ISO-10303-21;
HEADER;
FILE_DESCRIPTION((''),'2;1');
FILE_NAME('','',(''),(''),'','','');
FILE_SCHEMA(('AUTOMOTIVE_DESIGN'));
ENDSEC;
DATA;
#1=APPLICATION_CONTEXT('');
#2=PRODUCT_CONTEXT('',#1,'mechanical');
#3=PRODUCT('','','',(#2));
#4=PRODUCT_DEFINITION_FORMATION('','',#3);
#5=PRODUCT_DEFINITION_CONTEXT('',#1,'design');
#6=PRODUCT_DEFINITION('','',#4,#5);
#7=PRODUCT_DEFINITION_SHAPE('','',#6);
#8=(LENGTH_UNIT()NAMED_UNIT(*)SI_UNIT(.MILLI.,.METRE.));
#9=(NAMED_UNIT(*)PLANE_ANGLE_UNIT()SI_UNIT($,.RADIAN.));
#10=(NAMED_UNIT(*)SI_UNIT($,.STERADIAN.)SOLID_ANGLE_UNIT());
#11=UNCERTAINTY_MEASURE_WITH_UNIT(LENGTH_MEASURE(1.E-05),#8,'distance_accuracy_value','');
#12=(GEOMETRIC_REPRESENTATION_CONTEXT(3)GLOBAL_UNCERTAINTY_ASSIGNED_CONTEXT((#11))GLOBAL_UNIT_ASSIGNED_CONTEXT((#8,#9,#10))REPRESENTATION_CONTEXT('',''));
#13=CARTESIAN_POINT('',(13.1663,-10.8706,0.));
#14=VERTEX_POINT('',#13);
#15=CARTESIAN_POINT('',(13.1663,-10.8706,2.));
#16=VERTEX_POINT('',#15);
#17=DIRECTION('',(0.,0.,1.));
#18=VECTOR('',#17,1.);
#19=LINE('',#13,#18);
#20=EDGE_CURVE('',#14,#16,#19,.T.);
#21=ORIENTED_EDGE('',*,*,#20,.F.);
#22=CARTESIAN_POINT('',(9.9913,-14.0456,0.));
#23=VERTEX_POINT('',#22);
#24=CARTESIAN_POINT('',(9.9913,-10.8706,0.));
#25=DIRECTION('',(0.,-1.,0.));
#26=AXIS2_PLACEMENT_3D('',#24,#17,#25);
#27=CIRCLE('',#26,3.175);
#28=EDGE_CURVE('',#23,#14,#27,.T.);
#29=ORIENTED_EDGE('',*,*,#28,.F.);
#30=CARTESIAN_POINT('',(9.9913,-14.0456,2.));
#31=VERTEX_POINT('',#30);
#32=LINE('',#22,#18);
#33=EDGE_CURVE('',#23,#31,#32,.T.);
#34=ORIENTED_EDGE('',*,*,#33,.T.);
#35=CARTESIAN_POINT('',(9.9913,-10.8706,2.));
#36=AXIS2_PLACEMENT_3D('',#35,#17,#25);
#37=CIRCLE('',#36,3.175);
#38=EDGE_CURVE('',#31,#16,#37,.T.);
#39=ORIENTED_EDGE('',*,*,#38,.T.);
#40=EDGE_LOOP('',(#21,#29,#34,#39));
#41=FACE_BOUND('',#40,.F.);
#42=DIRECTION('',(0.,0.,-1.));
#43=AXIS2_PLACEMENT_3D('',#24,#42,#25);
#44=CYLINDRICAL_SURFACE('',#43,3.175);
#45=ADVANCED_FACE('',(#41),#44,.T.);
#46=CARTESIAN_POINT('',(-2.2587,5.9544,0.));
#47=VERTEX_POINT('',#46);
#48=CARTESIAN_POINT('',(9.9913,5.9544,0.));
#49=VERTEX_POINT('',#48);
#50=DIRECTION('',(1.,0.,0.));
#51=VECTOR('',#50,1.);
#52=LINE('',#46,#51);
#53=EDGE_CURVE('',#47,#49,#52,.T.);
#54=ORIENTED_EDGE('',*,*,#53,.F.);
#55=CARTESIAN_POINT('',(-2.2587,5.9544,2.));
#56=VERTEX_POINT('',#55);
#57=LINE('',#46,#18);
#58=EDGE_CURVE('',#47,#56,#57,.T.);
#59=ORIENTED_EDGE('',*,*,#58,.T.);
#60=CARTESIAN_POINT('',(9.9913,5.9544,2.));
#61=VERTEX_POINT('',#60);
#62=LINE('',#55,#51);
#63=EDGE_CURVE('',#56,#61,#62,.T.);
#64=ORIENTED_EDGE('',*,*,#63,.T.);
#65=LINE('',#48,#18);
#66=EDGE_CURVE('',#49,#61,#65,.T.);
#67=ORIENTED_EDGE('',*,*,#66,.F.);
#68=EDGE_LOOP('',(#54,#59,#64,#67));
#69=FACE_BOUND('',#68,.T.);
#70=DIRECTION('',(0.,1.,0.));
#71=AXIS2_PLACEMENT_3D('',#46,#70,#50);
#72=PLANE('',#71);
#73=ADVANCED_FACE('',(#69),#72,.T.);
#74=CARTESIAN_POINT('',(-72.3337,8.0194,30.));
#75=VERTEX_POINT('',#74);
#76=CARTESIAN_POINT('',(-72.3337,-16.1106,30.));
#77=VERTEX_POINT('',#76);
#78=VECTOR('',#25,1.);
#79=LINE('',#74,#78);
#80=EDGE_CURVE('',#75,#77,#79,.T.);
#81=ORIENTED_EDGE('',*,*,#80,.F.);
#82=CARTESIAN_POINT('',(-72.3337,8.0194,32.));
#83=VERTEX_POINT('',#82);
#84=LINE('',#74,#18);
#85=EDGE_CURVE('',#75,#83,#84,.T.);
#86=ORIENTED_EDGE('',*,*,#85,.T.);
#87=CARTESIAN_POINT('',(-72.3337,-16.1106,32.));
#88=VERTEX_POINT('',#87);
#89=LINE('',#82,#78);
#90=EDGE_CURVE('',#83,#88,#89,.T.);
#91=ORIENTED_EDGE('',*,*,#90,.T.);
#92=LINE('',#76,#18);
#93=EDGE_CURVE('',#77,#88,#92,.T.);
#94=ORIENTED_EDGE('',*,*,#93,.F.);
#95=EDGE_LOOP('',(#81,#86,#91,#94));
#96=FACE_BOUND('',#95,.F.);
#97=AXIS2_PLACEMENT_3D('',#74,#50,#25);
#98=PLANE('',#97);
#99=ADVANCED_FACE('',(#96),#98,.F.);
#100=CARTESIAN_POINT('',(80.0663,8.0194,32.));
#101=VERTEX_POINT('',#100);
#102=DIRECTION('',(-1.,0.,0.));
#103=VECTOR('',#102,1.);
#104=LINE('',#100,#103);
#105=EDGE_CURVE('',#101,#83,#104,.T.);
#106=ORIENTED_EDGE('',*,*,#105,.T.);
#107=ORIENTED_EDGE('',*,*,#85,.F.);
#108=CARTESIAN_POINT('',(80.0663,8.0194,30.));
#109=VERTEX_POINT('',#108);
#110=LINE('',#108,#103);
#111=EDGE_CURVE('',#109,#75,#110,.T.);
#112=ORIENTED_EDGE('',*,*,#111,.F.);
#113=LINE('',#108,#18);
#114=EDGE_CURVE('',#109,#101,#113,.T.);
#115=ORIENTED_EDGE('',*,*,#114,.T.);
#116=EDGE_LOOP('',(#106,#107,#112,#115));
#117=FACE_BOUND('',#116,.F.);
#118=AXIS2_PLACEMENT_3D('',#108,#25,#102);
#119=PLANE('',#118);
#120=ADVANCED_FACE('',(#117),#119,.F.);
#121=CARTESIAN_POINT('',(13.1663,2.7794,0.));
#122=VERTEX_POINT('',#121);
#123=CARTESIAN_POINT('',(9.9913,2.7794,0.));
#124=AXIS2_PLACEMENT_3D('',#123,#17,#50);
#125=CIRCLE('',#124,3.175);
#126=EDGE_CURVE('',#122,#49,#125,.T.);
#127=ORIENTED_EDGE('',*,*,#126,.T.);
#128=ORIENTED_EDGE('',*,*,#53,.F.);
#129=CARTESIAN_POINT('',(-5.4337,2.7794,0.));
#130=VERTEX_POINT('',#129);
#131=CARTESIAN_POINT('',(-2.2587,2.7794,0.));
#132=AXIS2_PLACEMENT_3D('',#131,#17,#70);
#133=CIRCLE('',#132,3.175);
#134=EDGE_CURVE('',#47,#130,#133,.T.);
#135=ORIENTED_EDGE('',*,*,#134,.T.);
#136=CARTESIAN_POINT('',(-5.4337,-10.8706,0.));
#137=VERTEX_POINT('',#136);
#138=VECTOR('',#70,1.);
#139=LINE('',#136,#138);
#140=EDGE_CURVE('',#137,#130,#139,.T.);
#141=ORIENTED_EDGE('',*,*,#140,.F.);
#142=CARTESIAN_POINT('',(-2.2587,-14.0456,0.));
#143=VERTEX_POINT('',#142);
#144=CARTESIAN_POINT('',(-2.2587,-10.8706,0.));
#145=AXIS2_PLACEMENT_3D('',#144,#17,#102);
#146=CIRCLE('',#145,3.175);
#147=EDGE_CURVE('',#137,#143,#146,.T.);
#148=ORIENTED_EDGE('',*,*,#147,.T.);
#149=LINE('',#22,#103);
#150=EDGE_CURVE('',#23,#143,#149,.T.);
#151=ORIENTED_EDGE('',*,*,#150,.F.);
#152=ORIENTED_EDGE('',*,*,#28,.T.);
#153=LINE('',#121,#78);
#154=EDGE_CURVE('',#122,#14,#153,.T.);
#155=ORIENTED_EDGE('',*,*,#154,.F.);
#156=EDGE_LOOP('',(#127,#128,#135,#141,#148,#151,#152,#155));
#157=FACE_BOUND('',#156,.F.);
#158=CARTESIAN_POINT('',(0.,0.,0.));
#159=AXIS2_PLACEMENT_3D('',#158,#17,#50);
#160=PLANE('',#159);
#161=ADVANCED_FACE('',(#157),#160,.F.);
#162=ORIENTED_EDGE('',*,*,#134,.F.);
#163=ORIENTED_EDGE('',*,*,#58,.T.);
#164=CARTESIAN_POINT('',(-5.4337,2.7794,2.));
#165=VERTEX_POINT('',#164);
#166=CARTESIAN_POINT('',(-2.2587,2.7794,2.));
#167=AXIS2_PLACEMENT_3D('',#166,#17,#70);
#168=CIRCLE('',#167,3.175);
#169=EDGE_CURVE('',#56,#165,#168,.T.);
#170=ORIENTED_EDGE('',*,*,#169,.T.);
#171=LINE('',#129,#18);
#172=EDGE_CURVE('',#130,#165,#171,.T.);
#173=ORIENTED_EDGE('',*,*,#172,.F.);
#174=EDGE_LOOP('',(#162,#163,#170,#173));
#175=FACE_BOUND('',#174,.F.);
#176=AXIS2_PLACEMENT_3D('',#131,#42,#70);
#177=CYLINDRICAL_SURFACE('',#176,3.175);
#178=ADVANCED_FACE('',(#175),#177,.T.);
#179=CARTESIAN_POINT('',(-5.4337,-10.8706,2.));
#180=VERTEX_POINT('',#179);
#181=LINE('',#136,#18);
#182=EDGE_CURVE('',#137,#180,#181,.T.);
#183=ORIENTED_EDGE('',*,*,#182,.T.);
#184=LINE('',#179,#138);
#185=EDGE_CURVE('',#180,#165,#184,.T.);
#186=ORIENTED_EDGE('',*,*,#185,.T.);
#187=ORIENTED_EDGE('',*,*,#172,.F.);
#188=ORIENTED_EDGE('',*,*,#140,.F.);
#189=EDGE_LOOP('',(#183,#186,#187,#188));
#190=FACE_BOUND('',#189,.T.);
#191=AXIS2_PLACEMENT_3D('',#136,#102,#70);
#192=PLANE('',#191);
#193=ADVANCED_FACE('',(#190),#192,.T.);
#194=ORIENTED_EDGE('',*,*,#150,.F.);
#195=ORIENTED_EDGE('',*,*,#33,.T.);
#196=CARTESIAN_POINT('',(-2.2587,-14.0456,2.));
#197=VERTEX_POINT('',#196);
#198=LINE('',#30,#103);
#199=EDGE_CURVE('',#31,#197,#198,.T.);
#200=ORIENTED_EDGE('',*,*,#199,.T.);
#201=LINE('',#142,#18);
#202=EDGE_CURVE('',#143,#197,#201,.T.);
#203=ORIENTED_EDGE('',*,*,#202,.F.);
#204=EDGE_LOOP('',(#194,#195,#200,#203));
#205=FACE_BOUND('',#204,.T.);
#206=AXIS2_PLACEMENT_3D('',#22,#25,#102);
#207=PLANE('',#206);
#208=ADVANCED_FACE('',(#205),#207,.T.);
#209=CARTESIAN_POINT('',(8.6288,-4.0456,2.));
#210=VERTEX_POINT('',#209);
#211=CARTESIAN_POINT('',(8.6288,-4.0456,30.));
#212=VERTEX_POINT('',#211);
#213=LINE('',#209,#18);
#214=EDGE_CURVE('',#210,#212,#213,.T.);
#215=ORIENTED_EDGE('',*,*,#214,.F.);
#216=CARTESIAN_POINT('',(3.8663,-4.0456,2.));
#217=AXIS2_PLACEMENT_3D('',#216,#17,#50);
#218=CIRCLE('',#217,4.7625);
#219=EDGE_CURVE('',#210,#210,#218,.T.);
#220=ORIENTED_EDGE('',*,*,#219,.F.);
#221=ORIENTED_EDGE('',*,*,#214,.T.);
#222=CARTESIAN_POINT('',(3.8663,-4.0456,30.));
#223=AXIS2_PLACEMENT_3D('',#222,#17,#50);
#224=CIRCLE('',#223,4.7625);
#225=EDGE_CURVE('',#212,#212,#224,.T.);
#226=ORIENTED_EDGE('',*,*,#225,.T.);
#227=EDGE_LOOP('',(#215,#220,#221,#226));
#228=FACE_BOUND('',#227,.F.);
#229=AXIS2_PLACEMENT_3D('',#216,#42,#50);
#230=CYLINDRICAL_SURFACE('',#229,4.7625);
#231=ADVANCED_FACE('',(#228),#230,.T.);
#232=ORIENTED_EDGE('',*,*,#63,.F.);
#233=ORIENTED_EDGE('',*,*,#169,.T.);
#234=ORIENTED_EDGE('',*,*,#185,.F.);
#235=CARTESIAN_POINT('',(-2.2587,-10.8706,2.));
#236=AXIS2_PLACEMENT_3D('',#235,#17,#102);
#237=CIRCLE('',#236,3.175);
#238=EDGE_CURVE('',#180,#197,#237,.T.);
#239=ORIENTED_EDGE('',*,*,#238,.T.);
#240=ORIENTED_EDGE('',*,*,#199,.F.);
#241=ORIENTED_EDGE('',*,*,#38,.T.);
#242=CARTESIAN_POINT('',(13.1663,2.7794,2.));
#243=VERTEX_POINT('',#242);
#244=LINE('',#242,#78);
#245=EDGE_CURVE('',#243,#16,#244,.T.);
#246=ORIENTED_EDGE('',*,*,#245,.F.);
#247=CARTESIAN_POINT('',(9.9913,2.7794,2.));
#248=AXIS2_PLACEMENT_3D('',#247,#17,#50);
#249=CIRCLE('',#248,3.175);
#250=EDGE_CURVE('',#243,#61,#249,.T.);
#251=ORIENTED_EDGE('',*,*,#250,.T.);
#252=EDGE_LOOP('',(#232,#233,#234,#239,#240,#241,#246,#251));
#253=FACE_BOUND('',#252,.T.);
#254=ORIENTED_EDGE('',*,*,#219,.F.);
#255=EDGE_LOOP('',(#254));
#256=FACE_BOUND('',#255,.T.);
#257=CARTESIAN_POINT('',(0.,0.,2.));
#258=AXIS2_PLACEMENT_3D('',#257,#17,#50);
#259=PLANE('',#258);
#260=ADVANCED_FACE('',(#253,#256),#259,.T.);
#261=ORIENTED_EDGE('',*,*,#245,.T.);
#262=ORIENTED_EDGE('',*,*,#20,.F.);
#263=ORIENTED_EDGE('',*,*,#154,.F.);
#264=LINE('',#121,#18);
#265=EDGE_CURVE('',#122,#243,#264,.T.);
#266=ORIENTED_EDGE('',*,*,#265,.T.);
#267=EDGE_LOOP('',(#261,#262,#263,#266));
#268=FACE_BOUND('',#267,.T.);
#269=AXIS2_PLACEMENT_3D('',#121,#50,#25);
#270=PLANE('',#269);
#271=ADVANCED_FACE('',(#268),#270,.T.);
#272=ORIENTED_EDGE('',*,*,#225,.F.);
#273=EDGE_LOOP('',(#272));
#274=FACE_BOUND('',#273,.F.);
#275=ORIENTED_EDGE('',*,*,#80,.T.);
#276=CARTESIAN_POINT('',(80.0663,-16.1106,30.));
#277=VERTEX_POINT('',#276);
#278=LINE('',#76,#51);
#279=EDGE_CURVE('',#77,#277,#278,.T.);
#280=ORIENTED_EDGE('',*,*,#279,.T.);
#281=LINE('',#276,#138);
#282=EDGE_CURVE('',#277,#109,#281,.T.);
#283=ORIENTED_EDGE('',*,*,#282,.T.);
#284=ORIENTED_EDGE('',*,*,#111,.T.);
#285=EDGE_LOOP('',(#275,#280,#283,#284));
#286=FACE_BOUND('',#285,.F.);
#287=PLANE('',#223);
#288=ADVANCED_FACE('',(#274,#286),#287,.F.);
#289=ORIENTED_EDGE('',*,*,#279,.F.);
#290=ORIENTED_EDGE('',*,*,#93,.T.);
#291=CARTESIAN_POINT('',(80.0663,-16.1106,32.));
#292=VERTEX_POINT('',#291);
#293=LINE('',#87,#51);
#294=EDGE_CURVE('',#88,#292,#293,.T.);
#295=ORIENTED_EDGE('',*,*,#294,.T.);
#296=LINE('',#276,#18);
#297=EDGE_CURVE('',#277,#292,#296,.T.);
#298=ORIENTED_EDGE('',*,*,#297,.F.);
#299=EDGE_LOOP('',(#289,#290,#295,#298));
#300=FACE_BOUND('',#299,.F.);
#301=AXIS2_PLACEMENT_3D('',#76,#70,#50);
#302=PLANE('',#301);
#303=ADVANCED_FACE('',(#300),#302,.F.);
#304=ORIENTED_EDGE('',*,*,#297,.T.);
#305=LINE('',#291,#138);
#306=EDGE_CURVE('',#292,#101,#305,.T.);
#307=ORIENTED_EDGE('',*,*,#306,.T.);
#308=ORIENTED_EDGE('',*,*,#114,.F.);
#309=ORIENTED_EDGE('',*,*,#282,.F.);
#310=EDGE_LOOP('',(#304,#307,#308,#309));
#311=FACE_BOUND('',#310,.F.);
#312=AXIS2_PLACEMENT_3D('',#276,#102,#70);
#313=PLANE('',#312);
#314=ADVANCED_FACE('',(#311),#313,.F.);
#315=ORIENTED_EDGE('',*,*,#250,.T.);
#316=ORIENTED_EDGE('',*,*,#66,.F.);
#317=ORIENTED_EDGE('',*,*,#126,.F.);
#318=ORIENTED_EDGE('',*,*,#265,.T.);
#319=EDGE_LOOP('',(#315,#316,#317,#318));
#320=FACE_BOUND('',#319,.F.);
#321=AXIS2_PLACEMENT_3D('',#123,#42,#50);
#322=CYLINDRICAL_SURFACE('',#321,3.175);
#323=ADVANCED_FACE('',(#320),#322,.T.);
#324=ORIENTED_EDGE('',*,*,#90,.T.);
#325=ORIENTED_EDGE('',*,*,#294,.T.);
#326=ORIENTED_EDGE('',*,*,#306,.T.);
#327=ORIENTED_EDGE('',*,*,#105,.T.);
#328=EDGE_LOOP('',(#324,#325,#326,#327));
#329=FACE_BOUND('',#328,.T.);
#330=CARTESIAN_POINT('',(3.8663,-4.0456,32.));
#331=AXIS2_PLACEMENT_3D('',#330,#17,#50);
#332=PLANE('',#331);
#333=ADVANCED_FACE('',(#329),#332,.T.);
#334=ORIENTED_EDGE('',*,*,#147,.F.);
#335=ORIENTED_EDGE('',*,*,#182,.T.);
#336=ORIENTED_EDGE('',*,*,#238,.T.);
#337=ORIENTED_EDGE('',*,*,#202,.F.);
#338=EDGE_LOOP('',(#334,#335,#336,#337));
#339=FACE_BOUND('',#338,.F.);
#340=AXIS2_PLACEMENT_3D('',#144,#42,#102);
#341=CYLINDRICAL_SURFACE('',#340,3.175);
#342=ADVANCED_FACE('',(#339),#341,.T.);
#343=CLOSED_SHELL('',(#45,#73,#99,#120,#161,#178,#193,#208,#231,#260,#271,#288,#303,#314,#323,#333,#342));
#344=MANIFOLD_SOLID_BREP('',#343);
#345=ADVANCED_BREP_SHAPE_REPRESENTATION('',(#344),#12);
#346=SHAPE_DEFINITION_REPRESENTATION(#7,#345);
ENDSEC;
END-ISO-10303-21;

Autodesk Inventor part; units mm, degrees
ref_plane "YZ Plane" through (0, 0, 0) normal (1, 0, 0) x (0, 1, 0)
ref_plane "XZ Plane" through (0, 0, 0) normal (0, 1, 0) x (-1, 0, 0)
ref_plane "XY Plane" through (0, 0, 0) normal (0, 0, 1) x (1, 0, 0)
sketch "Sketch1" plane through (0, 0, 0) normal (0, 0, 1) x (1, 0, 0)
  line L0 (-2.2587, 5.9544) -> (9.9913, 5.9544)
  line L1 (13.1663, 2.7794) -> (13.1663, -10.8706)
  line L2 (9.9913, -14.0456) -> (-2.2587, -14.0456)
  line L3 (-5.4337, -10.8706) -> (-5.4337, 2.7794)
  arc A0 (13.1663, 2.7794) -> (9.9913, 5.9544) centre (9.9913, 2.7794) ccw
  arc A1 (9.9913, -14.0456) -> (13.1663, -10.8706) centre (9.9913, -10.8706) ccw
  arc A2 (-5.4337, -10.8706) -> (-2.2587, -14.0456) centre (-2.2587, -10.8706) ccw
  arc A3 (-2.2587, 5.9544) -> (-5.4337, 2.7794) centre (-2.2587, 2.7794) ccw
  point P0 (0, 0)
  point P1 (13.1663, -14.0456)
  point P2 (13.1663, 5.9544)
  point P3 (-5.4337, -14.0456)
  dimension "d0" = 18.6
  dimension "d1" = 20
  dimension "d2" = 3.175
extrude "Extrusion1" add sketch "Sketch1" along normal blind 2
sketch "Sketch2" plane through (0, 0, 2) normal (0, 0, 1) x (1, 0, 0)
  arc A0 (-2.2587, 5.9544) -> (-5.4337, 2.7794) centre (-2.2587, 2.7794) ccw projected
  arc A1 (9.9913, -14.0456) -> (13.1663, -10.8706) centre (9.9913, -10.8706) ccw projected
  line L0 (-2.2587, 2.7794) -> (9.9913, -10.8706) construction
  arc A2 (13.1663, 2.7794) -> (9.9913, 5.9544) centre (9.9913, 2.7794) ccw projected
  arc A3 (-5.4337, -10.8706) -> (-2.2587, -14.0456) centre (-2.2587, -10.8706) ccw projected
  line L1 (9.9913, 2.7794) -> (-2.2587, -10.8706) construction
  circle A4 centre (3.8663, -4.0456) radius 4.7625
  point P0 (0, 0)
  dimension "d5" = 9.525
extrude "Extrusion2" add sketch "Sketch2" along normal blind 28
sketch "Sketch3" plane through (3.8663, -4.0456, 30) normal (0, 0, 1) x (1, 0, 0)
  line L0 (-76.2, -12.065) -> (76.2, -12.065)
  line L1 (76.2, -12.065) -> (76.2, 12.065)
  line L2 (76.2, 12.065) -> (-76.2, 12.065)
  line L3 (-76.2, 12.065) -> (-76.2, -12.065)
  line L4 (-76.2, -12.065) -> (76.2, 12.065) construction
  line L5 (76.2, -12.065) -> (-76.2, 12.065) construction
  point P0 (-3.8663, 4.0456)
  point P1 (0, 0)
  point P2 (0, 0)
  dimension "d8" = 24.13
  dimension "d9" = 152.4
extrude "Extrusion3" add sketch "Sketch3" along normal blind 2
properties part number "Hot Shoe Mount"
